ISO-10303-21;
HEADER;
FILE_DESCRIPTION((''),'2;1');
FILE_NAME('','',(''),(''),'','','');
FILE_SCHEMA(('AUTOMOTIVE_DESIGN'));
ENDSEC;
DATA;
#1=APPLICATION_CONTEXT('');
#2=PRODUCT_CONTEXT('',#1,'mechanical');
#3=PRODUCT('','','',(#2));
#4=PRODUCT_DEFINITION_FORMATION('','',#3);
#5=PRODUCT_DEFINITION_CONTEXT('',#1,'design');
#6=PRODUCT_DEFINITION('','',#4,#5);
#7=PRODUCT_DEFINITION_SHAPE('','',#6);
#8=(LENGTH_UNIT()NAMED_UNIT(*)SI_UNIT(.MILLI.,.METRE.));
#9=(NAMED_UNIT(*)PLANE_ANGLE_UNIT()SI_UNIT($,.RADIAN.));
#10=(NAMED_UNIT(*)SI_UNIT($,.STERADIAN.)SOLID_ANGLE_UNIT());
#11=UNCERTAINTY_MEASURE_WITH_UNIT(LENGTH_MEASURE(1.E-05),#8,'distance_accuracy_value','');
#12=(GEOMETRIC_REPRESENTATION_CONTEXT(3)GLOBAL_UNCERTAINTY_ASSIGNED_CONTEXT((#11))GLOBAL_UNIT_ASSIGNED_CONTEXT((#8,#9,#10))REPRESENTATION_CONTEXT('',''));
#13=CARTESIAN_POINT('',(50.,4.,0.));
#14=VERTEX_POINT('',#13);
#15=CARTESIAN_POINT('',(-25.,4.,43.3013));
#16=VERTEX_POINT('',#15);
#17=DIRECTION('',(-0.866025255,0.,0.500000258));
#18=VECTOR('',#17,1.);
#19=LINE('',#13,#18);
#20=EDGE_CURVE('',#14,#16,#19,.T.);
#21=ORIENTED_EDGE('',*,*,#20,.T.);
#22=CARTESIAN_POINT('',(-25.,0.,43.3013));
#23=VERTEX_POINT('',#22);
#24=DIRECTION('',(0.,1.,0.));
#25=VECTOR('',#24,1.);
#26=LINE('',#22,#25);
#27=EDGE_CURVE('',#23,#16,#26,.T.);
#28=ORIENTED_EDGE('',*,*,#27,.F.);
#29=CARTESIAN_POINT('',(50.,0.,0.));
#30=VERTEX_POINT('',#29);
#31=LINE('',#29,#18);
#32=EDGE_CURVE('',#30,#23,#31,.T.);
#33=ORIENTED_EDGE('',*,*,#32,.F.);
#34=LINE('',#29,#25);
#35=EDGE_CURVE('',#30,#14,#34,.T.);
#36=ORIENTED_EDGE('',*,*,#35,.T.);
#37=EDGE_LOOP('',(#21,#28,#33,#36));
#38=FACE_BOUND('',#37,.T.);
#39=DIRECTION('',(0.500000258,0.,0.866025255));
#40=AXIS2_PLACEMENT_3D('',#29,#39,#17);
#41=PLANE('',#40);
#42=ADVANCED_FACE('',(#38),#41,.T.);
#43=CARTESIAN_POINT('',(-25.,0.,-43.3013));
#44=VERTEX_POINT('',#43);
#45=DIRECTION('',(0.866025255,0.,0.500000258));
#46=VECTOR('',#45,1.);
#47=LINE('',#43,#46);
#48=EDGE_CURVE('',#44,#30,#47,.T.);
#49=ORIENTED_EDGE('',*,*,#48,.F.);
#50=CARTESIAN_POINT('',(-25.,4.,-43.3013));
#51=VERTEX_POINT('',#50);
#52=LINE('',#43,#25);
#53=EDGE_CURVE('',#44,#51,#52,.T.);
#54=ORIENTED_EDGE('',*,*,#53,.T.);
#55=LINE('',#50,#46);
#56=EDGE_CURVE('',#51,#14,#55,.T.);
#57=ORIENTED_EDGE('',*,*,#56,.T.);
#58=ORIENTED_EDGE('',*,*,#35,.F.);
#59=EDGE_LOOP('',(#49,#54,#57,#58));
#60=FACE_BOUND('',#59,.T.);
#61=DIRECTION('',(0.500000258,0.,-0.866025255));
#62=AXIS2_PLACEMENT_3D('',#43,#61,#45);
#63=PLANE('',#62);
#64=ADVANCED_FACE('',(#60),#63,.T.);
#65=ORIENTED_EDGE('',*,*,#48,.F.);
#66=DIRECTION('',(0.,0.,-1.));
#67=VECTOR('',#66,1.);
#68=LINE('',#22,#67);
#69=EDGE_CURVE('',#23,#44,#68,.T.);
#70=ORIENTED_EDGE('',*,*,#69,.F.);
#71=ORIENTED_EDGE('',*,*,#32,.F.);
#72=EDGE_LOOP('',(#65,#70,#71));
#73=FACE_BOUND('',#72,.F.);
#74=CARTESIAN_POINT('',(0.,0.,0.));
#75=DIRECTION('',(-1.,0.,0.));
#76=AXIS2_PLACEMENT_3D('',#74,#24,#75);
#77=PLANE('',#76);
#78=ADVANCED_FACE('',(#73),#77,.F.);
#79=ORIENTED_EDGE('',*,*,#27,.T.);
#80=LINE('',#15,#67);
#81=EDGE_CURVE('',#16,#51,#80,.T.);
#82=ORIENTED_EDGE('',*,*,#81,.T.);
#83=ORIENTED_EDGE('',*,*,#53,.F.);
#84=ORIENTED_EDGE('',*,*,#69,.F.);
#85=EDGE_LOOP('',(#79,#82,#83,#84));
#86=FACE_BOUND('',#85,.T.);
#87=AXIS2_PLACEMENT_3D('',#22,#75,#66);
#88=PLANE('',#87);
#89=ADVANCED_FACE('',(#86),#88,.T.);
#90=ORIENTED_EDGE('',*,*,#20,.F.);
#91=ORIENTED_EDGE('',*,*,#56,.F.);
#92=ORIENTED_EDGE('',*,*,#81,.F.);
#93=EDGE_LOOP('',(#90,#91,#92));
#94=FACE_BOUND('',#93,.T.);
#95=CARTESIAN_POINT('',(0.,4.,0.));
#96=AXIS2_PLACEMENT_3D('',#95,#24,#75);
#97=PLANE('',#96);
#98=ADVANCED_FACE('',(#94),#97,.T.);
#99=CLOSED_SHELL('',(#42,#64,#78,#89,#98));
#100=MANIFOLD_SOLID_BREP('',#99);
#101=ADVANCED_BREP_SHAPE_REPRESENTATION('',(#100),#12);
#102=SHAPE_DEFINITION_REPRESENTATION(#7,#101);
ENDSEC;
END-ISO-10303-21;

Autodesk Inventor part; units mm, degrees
ref_plane "YZ Plane" through (0, 0, 0) normal (1, 0, 0) x (0, 1, 0)
ref_plane "XZ Plane" through (0, 0, 0) normal (0, 1, 0) x (-1, 0, 0)
ref_plane "XY Plane" through (0, 0, 0) normal (0, 0, 1) x (1, 0, 0)
sketch "Sketch1" plane through (0, 0, 0) normal (0, 1, 0) x (-1, 0, 0)
  line L0 (25, -43.3013) -> (-50, 0)
  line L1 (-50, 0) -> (25, 43.3013)
  line L2 (25, 43.3013) -> (25, -43.3013)
  circle A0 centre (0, 0) radius 25 construction
  point P0 (25, 0)
extrude "Extrusion1" add sketch "Sketch1" along normal blind 4
properties part number "objeto2"
